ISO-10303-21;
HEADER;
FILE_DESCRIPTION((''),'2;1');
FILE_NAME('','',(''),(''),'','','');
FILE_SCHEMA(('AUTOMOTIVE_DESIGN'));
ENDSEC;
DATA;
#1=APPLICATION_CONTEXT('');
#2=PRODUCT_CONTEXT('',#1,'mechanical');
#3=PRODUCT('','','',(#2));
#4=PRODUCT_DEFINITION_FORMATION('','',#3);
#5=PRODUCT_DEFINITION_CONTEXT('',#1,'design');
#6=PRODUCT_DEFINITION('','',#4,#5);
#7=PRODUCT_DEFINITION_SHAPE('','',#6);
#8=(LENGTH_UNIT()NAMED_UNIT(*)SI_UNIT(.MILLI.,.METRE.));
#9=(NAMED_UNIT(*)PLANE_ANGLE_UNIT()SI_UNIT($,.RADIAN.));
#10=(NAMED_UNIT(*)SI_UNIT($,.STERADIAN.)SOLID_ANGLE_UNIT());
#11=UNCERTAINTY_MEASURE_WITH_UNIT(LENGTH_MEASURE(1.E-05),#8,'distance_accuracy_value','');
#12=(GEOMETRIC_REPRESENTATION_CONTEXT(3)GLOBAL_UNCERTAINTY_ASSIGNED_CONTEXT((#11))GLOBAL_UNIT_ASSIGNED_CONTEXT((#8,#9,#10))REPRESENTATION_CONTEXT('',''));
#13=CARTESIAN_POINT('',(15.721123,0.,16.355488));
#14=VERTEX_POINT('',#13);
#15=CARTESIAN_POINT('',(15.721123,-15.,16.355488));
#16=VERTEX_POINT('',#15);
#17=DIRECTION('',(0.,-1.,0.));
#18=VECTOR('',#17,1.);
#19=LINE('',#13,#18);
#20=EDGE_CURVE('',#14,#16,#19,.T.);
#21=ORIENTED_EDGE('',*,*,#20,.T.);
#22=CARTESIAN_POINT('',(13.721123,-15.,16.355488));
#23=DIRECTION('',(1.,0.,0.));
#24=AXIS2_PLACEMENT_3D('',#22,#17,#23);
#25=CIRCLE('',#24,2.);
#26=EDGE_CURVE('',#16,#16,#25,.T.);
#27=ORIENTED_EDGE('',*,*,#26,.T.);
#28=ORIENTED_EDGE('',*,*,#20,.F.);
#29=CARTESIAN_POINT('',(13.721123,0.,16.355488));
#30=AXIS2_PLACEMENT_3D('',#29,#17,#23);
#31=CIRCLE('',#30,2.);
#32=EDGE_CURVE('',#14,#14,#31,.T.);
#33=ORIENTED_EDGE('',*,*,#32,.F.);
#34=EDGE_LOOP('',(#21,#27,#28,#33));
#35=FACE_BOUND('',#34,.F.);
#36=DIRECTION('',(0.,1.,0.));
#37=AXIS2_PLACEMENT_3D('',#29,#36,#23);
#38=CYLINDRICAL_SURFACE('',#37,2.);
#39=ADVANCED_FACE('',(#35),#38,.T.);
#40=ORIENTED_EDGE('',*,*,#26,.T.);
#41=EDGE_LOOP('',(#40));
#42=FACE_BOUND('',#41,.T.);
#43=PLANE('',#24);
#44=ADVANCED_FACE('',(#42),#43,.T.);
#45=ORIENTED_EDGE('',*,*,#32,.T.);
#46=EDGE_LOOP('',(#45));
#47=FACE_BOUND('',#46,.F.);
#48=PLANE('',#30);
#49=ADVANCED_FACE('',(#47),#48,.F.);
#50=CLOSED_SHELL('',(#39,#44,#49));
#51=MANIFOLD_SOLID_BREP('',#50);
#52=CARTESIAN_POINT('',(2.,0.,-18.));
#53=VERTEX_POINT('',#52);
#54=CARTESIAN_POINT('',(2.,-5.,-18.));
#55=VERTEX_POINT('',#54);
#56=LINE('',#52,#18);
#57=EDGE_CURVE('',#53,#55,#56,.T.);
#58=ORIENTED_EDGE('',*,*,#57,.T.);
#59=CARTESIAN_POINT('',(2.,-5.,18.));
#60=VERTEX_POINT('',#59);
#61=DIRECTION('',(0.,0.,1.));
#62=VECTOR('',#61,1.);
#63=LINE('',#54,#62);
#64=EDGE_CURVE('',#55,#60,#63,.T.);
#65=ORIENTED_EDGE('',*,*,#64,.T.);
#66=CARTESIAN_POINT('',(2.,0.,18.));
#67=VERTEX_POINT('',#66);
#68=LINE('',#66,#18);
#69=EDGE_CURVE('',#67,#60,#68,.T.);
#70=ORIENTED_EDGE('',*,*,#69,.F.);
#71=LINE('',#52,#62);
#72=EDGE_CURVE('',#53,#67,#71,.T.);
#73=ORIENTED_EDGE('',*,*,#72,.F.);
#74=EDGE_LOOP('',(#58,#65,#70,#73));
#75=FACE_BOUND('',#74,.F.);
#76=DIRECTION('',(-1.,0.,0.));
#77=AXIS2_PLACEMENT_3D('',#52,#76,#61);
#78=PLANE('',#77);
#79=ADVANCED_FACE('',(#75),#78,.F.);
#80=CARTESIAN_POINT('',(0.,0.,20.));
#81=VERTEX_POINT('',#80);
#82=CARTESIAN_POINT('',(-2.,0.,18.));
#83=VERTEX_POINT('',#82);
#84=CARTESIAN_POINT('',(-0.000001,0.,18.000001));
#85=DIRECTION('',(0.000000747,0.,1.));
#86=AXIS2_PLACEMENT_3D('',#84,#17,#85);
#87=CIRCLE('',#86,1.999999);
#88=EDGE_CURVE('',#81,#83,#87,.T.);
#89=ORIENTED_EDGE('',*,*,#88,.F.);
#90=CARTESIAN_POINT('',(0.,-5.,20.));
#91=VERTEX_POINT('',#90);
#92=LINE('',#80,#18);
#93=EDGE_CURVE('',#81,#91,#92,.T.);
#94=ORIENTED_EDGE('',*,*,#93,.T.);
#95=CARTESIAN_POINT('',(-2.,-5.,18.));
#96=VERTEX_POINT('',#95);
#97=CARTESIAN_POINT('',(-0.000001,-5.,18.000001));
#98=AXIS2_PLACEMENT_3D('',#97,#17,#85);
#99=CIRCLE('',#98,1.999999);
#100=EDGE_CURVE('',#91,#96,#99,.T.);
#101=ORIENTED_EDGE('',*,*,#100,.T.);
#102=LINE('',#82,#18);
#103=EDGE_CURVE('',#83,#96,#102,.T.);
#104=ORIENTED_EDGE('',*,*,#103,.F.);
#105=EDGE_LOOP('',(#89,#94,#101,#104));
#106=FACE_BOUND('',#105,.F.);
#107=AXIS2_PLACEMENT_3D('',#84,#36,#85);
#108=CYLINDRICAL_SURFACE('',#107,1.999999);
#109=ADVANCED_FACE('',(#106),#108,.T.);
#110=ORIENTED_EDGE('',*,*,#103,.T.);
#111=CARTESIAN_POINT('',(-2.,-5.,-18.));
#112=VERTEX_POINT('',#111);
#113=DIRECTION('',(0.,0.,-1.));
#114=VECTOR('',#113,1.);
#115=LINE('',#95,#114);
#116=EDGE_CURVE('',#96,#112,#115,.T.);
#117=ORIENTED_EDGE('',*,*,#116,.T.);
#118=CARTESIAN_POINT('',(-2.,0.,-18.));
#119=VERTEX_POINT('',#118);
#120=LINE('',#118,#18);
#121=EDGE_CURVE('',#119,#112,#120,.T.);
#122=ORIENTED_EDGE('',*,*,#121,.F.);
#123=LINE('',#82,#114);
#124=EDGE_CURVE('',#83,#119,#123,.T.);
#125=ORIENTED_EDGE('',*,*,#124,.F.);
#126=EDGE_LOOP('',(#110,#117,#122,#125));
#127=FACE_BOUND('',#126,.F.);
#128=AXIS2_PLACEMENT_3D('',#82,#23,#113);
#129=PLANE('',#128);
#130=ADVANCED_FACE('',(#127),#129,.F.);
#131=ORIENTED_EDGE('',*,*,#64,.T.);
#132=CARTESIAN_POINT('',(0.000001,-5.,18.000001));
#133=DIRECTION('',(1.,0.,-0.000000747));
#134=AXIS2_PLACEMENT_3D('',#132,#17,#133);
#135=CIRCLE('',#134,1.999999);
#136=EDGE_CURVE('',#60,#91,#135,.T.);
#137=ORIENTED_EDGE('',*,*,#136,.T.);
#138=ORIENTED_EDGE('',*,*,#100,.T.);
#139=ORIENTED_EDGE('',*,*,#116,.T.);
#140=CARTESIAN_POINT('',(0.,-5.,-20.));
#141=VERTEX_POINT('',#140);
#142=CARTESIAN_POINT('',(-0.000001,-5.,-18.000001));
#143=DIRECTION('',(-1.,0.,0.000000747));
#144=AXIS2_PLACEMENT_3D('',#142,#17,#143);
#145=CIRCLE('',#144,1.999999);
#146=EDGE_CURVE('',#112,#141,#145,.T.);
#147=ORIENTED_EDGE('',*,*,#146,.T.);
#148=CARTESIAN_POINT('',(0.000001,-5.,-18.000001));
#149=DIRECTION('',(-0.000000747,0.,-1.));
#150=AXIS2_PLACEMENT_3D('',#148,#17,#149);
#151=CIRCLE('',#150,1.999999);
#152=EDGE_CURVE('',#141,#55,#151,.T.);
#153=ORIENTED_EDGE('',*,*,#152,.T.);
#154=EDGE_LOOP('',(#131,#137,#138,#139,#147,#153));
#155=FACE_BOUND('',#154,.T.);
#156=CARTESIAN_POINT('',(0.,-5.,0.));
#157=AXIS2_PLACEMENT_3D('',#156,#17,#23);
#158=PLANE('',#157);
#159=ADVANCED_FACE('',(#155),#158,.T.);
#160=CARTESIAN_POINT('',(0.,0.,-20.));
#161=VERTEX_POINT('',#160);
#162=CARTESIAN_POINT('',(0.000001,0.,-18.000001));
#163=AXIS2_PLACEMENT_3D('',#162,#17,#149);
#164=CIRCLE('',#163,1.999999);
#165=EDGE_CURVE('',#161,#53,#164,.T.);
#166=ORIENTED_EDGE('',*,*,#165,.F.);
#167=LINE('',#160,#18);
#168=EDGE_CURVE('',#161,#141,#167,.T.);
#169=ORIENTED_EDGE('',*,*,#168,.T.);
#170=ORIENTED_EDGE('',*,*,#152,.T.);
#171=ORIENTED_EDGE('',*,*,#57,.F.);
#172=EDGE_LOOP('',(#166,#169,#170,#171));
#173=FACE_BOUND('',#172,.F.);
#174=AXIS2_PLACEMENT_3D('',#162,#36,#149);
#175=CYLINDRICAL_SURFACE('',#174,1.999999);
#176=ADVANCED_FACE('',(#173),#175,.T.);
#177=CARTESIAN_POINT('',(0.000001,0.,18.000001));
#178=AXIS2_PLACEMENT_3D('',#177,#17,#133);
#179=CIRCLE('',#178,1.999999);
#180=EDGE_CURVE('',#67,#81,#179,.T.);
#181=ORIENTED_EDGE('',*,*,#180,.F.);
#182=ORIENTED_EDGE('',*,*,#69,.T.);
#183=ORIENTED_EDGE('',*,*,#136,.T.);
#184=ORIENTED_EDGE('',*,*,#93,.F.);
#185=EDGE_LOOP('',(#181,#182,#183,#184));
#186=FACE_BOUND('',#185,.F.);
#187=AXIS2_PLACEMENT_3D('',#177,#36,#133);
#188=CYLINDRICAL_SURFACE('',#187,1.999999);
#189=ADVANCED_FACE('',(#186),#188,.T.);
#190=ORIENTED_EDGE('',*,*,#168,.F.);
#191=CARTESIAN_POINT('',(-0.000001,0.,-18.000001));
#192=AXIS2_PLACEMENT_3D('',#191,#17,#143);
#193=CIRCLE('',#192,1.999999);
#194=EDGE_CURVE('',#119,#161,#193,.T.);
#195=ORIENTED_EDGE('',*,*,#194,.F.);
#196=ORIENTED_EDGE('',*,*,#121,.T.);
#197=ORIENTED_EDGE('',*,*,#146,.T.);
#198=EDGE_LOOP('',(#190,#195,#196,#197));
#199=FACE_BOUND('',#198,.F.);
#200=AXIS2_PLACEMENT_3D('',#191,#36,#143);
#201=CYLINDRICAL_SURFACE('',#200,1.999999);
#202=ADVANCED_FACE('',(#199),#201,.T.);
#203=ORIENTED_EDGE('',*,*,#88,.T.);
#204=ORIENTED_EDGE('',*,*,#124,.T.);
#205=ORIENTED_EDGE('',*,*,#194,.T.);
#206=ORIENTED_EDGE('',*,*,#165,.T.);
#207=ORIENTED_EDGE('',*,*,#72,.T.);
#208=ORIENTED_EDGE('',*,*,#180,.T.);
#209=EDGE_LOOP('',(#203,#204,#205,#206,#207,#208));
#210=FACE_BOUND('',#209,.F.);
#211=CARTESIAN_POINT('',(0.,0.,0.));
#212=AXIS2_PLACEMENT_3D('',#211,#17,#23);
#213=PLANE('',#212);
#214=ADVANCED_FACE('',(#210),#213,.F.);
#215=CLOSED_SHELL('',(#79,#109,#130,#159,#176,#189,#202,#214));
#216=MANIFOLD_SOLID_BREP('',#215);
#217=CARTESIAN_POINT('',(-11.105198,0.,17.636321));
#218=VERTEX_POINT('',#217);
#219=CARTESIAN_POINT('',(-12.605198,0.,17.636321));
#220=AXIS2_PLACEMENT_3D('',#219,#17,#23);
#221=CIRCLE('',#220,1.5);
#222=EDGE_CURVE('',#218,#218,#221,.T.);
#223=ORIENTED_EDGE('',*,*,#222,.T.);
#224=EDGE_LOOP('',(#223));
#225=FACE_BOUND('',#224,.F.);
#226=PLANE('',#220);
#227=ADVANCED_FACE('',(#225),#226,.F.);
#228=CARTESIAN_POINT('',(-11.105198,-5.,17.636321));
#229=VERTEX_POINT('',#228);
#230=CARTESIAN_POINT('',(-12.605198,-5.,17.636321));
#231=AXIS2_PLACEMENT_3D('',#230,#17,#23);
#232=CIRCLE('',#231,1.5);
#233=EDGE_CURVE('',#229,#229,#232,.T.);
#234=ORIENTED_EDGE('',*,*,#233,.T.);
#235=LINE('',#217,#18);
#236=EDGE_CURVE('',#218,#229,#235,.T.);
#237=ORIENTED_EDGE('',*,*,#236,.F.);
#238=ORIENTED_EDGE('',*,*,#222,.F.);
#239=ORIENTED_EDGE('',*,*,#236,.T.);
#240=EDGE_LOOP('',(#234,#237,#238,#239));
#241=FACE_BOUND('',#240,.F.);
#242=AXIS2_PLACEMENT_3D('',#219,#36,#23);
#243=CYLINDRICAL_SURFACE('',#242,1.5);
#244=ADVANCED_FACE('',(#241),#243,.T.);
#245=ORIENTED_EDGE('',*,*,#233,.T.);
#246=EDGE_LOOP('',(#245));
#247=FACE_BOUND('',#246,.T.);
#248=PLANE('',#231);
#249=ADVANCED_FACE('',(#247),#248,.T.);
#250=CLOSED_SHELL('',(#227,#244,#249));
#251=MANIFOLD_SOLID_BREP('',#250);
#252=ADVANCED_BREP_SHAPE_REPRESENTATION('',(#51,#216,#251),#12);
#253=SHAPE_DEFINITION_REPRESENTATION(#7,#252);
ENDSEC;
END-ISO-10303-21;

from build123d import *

# Parameters (mm, degrees)
F2_R     = 2
F3_DEPTH = 15
F1_R     = 1.5
F4_DEPTH = 5
F5_DEPTH = 5


with BuildPart() as f3:
    # F2 (on Front) → F3 (new body)
    with BuildSketch(Plane.XZ):
        with Locations((13.721123, 16.355488)):
            Circle(F2_R)
    extrude(amount=F3_DEPTH)


with BuildPart() as f4:
    # F1 (on Front) → F4 (new body)
    with BuildSketch(Plane.XZ):
        with Locations((-12.605198, 17.636321)):
            Circle(F1_R)
    extrude(amount=F4_DEPTH)


with BuildPart() as f5:
    # F0 (on Front) → F5 (new body)
    with BuildSketch(Plane.XZ):
        with BuildLine():
            Line((2, -18), (2, 18))
            ThreePointArc((2, 18), (1.414214, 19.414214), (0, 20))
            ThreePointArc((0, 20), (-1.414214, 19.414214), (-2, 18))
            Line((-2, 18), (-2, -18))
            ThreePointArc((-2, -18), (-1.414214, -19.414214), (0, -20))
            ThreePointArc((0, -20), (1.414214, -19.414214), (2, -18))
        make_face()
    extrude(amount=F5_DEPTH)


solid = Compound([f3.part, f4.part, f5.part])
